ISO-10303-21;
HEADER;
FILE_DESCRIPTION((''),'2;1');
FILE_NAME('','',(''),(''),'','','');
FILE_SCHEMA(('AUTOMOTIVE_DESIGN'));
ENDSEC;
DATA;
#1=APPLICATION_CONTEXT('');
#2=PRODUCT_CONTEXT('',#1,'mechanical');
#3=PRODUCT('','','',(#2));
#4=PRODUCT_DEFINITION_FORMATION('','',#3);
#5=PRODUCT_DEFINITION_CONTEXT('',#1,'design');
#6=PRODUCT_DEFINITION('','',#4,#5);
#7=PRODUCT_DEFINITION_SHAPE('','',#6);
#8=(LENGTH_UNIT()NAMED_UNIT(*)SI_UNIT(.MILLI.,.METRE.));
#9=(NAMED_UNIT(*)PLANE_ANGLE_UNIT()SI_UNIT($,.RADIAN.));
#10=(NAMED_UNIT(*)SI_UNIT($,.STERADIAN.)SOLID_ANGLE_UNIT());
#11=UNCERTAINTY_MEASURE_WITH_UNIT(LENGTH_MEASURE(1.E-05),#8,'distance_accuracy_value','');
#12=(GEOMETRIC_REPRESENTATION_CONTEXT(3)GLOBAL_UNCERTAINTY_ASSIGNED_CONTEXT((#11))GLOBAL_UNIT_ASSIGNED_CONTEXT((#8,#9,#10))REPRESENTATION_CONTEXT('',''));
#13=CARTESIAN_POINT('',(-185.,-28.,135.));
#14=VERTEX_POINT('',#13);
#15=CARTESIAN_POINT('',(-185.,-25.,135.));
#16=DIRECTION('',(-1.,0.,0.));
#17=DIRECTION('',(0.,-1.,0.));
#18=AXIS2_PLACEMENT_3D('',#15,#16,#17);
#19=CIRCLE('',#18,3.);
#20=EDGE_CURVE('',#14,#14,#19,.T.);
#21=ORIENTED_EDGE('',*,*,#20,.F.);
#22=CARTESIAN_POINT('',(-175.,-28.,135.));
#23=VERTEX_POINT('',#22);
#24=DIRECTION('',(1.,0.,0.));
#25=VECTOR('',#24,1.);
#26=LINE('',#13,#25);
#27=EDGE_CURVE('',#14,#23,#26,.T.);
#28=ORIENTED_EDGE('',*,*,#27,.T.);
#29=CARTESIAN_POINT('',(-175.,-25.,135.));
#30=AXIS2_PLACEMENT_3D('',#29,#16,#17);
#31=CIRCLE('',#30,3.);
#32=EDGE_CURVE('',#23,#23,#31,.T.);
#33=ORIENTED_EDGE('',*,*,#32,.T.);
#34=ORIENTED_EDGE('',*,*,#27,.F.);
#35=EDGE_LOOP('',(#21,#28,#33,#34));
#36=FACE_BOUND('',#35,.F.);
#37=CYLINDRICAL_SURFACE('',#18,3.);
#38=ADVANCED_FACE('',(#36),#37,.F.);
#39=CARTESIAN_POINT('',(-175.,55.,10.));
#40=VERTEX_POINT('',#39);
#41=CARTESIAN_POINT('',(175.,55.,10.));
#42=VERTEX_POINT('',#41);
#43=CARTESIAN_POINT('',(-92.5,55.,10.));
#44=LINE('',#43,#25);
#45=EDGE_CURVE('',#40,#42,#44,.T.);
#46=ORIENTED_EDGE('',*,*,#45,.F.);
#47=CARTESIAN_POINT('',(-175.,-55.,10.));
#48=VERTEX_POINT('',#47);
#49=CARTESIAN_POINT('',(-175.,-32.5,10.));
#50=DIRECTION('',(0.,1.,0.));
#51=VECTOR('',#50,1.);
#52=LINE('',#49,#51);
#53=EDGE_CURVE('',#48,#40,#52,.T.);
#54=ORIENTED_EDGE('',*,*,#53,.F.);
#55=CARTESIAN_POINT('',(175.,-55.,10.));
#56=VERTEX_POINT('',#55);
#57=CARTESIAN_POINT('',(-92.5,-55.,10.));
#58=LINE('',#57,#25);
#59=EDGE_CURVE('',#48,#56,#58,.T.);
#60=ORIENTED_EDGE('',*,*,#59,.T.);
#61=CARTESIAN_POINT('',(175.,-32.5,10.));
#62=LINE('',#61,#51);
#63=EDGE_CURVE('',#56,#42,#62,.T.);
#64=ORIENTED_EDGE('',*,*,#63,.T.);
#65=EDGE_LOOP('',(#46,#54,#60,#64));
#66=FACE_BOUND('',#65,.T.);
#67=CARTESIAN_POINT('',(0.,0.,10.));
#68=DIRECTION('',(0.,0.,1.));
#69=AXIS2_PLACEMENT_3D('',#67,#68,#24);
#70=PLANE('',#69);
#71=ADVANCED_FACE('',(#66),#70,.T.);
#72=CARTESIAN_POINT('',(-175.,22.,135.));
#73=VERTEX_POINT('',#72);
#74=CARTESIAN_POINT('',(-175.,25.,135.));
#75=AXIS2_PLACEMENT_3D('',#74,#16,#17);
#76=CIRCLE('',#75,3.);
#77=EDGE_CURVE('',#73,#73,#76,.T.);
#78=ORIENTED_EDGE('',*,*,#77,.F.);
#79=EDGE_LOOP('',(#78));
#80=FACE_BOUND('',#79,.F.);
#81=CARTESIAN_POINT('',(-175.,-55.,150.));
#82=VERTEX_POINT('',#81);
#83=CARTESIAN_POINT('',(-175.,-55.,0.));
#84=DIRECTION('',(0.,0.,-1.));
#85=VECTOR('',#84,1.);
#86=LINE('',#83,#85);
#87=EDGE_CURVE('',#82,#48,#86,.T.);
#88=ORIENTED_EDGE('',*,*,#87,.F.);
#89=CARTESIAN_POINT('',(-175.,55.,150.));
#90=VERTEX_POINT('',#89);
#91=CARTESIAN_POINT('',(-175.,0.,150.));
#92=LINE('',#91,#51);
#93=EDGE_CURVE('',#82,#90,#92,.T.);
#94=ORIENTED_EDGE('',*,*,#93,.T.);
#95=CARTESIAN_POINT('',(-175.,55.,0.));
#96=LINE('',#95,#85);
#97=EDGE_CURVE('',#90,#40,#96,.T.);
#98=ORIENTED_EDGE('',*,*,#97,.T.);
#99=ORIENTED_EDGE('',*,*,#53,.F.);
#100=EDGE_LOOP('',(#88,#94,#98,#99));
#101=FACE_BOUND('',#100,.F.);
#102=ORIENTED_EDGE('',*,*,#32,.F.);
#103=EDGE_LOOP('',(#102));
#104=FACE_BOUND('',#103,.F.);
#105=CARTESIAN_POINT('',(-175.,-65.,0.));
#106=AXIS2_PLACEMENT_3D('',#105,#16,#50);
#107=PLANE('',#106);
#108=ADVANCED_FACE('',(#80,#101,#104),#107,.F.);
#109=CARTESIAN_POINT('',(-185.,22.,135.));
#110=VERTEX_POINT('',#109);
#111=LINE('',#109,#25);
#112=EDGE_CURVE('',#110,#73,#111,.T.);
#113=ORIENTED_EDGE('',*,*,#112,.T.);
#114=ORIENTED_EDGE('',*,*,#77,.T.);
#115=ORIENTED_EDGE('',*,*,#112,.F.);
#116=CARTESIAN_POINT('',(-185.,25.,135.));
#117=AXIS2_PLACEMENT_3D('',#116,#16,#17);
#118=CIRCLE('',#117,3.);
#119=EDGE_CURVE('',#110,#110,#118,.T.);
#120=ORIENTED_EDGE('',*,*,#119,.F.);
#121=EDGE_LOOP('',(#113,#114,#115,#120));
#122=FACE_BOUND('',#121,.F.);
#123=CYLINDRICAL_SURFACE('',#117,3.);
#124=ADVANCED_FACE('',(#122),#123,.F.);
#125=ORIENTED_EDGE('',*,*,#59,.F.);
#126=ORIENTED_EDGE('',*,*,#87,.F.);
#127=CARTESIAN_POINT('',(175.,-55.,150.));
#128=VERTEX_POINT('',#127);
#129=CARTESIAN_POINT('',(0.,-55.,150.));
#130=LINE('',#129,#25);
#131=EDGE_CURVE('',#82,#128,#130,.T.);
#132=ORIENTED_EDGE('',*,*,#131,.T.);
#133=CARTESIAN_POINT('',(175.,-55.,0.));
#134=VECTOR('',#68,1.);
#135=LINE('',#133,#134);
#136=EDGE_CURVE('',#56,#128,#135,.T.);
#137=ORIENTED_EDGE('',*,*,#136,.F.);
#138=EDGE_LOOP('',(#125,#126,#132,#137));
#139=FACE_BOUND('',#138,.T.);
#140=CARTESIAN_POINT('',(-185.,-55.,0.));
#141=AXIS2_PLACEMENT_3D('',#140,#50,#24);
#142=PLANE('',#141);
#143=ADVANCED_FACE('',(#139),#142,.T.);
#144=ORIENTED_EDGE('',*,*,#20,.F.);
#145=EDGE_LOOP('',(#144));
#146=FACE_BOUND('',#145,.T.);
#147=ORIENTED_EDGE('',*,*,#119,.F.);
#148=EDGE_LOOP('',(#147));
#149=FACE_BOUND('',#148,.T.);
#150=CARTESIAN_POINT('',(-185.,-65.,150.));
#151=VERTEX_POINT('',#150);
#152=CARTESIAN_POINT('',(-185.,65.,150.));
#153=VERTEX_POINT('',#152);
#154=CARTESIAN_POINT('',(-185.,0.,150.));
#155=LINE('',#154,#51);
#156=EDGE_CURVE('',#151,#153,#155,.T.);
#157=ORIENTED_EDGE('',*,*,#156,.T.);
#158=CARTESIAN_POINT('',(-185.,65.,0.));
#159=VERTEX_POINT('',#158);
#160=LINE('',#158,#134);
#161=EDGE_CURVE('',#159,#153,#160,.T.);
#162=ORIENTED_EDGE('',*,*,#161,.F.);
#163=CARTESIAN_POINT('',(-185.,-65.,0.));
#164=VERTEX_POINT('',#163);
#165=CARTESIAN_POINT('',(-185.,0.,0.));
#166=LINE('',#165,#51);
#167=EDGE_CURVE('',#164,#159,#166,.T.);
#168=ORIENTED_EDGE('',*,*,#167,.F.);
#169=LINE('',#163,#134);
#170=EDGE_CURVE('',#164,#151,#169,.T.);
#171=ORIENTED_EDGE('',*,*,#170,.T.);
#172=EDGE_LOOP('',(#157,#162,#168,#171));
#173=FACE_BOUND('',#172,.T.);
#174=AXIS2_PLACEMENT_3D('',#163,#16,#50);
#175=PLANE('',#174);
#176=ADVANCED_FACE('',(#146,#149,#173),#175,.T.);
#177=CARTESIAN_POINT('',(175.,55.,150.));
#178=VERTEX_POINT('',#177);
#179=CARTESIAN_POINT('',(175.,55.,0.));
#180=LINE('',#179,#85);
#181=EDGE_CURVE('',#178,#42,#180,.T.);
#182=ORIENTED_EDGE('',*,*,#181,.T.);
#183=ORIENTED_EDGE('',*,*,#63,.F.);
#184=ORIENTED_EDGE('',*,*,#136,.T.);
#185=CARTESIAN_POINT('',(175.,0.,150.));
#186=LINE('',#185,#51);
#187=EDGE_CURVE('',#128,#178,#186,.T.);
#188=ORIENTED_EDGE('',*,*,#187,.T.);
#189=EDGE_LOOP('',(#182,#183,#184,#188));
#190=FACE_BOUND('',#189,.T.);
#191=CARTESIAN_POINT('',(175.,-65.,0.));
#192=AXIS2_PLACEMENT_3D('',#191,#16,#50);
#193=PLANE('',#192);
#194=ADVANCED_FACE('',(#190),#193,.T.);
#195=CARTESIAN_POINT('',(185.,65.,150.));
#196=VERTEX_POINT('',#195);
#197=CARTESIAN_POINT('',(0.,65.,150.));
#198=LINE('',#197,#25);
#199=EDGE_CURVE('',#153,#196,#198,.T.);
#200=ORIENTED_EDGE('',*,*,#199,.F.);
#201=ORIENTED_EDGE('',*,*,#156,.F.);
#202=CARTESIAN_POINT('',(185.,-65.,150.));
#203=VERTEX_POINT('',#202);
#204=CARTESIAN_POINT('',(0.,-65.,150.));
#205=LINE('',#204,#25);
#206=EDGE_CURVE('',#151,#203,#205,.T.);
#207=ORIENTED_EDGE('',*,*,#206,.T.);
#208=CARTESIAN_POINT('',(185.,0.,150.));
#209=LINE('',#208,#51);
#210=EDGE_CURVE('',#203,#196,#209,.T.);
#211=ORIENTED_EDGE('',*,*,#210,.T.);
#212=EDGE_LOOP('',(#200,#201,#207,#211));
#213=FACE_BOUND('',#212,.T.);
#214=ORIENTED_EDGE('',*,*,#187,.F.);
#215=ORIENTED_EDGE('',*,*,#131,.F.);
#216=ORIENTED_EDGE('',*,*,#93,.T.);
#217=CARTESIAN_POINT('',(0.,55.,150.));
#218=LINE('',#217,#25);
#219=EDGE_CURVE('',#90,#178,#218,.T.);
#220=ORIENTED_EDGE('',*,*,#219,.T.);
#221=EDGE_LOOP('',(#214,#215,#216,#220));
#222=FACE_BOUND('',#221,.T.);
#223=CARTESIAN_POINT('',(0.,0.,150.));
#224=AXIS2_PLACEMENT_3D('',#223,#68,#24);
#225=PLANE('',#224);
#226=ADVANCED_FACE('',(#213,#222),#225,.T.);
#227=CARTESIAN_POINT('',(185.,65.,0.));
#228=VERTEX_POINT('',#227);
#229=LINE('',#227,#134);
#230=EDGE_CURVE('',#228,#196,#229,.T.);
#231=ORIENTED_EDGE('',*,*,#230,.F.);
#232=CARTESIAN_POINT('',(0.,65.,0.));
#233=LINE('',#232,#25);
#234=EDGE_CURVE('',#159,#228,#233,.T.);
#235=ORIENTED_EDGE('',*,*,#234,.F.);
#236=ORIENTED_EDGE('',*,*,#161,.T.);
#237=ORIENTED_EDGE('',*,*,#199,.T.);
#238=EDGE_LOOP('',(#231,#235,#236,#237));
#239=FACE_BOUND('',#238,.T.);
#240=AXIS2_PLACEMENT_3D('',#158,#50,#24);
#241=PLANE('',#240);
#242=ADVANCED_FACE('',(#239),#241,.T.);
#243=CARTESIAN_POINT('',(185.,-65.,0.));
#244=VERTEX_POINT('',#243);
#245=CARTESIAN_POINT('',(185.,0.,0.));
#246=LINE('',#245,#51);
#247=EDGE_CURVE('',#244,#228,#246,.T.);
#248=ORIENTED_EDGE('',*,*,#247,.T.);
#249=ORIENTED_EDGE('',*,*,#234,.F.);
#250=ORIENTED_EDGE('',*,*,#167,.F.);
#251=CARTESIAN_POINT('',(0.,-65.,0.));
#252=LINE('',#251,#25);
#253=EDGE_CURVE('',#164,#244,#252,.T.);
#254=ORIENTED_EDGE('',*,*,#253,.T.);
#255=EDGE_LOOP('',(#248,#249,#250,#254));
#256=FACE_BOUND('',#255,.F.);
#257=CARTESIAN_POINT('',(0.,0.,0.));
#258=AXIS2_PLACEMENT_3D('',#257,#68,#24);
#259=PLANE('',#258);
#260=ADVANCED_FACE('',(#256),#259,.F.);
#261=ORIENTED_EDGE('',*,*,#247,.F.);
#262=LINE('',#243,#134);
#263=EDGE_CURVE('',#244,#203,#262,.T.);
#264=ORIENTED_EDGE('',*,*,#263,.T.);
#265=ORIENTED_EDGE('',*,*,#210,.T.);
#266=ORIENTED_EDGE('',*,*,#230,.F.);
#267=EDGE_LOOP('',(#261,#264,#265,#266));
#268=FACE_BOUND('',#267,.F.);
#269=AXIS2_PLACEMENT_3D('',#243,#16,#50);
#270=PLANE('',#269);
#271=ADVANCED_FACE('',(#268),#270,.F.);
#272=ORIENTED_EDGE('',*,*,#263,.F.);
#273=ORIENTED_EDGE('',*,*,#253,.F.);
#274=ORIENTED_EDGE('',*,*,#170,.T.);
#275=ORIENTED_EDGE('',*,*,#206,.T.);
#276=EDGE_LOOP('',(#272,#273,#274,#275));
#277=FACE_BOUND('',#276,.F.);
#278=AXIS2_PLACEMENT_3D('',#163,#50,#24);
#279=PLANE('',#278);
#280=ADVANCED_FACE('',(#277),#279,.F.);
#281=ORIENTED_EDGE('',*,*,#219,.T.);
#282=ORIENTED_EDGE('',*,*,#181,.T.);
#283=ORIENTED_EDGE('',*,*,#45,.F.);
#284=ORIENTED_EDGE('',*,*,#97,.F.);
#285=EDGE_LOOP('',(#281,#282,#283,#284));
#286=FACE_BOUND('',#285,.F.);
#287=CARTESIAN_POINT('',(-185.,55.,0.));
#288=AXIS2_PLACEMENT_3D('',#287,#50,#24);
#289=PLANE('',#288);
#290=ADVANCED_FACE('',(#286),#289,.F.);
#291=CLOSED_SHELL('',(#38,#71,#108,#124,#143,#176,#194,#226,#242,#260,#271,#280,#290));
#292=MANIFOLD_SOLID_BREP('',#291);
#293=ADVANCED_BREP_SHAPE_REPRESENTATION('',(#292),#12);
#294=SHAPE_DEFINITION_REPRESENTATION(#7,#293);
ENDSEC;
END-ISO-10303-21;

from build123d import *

# Parameters (mm, degrees)
F0_W     = 370
F0_H     = 130
F1_DEPTH = 150
F2_T     = -10
F3_R     = 3
F4_DEPTH = 25


with BuildPart() as f1:
    # F0 (on Top) → F1 (new body)
    with BuildSketch(Plane.XY):
        Rectangle(F0_W, F0_H)
    extrude(amount=F1_DEPTH)

    # F2
    f2_openings = [f1.faces().sort_by_distance(p)[0] for p in [
        (0, 0, 150),
    ]]
    offset(amount=F2_T, openings=f2_openings)

    # F3 (on face) → F4 (cut)
    with BuildSketch(Plane(origin=(-185, 0, 0), x_dir=(0, -1, 0), z_dir=(-1, 0, 0))):
        with Locations((-25, 135)):
            Circle(F3_R)
        with Locations((25, 135)):
            Circle(F3_R)
    extrude(amount=-F4_DEPTH, mode=Mode.SUBTRACT)


solid = f1.part
